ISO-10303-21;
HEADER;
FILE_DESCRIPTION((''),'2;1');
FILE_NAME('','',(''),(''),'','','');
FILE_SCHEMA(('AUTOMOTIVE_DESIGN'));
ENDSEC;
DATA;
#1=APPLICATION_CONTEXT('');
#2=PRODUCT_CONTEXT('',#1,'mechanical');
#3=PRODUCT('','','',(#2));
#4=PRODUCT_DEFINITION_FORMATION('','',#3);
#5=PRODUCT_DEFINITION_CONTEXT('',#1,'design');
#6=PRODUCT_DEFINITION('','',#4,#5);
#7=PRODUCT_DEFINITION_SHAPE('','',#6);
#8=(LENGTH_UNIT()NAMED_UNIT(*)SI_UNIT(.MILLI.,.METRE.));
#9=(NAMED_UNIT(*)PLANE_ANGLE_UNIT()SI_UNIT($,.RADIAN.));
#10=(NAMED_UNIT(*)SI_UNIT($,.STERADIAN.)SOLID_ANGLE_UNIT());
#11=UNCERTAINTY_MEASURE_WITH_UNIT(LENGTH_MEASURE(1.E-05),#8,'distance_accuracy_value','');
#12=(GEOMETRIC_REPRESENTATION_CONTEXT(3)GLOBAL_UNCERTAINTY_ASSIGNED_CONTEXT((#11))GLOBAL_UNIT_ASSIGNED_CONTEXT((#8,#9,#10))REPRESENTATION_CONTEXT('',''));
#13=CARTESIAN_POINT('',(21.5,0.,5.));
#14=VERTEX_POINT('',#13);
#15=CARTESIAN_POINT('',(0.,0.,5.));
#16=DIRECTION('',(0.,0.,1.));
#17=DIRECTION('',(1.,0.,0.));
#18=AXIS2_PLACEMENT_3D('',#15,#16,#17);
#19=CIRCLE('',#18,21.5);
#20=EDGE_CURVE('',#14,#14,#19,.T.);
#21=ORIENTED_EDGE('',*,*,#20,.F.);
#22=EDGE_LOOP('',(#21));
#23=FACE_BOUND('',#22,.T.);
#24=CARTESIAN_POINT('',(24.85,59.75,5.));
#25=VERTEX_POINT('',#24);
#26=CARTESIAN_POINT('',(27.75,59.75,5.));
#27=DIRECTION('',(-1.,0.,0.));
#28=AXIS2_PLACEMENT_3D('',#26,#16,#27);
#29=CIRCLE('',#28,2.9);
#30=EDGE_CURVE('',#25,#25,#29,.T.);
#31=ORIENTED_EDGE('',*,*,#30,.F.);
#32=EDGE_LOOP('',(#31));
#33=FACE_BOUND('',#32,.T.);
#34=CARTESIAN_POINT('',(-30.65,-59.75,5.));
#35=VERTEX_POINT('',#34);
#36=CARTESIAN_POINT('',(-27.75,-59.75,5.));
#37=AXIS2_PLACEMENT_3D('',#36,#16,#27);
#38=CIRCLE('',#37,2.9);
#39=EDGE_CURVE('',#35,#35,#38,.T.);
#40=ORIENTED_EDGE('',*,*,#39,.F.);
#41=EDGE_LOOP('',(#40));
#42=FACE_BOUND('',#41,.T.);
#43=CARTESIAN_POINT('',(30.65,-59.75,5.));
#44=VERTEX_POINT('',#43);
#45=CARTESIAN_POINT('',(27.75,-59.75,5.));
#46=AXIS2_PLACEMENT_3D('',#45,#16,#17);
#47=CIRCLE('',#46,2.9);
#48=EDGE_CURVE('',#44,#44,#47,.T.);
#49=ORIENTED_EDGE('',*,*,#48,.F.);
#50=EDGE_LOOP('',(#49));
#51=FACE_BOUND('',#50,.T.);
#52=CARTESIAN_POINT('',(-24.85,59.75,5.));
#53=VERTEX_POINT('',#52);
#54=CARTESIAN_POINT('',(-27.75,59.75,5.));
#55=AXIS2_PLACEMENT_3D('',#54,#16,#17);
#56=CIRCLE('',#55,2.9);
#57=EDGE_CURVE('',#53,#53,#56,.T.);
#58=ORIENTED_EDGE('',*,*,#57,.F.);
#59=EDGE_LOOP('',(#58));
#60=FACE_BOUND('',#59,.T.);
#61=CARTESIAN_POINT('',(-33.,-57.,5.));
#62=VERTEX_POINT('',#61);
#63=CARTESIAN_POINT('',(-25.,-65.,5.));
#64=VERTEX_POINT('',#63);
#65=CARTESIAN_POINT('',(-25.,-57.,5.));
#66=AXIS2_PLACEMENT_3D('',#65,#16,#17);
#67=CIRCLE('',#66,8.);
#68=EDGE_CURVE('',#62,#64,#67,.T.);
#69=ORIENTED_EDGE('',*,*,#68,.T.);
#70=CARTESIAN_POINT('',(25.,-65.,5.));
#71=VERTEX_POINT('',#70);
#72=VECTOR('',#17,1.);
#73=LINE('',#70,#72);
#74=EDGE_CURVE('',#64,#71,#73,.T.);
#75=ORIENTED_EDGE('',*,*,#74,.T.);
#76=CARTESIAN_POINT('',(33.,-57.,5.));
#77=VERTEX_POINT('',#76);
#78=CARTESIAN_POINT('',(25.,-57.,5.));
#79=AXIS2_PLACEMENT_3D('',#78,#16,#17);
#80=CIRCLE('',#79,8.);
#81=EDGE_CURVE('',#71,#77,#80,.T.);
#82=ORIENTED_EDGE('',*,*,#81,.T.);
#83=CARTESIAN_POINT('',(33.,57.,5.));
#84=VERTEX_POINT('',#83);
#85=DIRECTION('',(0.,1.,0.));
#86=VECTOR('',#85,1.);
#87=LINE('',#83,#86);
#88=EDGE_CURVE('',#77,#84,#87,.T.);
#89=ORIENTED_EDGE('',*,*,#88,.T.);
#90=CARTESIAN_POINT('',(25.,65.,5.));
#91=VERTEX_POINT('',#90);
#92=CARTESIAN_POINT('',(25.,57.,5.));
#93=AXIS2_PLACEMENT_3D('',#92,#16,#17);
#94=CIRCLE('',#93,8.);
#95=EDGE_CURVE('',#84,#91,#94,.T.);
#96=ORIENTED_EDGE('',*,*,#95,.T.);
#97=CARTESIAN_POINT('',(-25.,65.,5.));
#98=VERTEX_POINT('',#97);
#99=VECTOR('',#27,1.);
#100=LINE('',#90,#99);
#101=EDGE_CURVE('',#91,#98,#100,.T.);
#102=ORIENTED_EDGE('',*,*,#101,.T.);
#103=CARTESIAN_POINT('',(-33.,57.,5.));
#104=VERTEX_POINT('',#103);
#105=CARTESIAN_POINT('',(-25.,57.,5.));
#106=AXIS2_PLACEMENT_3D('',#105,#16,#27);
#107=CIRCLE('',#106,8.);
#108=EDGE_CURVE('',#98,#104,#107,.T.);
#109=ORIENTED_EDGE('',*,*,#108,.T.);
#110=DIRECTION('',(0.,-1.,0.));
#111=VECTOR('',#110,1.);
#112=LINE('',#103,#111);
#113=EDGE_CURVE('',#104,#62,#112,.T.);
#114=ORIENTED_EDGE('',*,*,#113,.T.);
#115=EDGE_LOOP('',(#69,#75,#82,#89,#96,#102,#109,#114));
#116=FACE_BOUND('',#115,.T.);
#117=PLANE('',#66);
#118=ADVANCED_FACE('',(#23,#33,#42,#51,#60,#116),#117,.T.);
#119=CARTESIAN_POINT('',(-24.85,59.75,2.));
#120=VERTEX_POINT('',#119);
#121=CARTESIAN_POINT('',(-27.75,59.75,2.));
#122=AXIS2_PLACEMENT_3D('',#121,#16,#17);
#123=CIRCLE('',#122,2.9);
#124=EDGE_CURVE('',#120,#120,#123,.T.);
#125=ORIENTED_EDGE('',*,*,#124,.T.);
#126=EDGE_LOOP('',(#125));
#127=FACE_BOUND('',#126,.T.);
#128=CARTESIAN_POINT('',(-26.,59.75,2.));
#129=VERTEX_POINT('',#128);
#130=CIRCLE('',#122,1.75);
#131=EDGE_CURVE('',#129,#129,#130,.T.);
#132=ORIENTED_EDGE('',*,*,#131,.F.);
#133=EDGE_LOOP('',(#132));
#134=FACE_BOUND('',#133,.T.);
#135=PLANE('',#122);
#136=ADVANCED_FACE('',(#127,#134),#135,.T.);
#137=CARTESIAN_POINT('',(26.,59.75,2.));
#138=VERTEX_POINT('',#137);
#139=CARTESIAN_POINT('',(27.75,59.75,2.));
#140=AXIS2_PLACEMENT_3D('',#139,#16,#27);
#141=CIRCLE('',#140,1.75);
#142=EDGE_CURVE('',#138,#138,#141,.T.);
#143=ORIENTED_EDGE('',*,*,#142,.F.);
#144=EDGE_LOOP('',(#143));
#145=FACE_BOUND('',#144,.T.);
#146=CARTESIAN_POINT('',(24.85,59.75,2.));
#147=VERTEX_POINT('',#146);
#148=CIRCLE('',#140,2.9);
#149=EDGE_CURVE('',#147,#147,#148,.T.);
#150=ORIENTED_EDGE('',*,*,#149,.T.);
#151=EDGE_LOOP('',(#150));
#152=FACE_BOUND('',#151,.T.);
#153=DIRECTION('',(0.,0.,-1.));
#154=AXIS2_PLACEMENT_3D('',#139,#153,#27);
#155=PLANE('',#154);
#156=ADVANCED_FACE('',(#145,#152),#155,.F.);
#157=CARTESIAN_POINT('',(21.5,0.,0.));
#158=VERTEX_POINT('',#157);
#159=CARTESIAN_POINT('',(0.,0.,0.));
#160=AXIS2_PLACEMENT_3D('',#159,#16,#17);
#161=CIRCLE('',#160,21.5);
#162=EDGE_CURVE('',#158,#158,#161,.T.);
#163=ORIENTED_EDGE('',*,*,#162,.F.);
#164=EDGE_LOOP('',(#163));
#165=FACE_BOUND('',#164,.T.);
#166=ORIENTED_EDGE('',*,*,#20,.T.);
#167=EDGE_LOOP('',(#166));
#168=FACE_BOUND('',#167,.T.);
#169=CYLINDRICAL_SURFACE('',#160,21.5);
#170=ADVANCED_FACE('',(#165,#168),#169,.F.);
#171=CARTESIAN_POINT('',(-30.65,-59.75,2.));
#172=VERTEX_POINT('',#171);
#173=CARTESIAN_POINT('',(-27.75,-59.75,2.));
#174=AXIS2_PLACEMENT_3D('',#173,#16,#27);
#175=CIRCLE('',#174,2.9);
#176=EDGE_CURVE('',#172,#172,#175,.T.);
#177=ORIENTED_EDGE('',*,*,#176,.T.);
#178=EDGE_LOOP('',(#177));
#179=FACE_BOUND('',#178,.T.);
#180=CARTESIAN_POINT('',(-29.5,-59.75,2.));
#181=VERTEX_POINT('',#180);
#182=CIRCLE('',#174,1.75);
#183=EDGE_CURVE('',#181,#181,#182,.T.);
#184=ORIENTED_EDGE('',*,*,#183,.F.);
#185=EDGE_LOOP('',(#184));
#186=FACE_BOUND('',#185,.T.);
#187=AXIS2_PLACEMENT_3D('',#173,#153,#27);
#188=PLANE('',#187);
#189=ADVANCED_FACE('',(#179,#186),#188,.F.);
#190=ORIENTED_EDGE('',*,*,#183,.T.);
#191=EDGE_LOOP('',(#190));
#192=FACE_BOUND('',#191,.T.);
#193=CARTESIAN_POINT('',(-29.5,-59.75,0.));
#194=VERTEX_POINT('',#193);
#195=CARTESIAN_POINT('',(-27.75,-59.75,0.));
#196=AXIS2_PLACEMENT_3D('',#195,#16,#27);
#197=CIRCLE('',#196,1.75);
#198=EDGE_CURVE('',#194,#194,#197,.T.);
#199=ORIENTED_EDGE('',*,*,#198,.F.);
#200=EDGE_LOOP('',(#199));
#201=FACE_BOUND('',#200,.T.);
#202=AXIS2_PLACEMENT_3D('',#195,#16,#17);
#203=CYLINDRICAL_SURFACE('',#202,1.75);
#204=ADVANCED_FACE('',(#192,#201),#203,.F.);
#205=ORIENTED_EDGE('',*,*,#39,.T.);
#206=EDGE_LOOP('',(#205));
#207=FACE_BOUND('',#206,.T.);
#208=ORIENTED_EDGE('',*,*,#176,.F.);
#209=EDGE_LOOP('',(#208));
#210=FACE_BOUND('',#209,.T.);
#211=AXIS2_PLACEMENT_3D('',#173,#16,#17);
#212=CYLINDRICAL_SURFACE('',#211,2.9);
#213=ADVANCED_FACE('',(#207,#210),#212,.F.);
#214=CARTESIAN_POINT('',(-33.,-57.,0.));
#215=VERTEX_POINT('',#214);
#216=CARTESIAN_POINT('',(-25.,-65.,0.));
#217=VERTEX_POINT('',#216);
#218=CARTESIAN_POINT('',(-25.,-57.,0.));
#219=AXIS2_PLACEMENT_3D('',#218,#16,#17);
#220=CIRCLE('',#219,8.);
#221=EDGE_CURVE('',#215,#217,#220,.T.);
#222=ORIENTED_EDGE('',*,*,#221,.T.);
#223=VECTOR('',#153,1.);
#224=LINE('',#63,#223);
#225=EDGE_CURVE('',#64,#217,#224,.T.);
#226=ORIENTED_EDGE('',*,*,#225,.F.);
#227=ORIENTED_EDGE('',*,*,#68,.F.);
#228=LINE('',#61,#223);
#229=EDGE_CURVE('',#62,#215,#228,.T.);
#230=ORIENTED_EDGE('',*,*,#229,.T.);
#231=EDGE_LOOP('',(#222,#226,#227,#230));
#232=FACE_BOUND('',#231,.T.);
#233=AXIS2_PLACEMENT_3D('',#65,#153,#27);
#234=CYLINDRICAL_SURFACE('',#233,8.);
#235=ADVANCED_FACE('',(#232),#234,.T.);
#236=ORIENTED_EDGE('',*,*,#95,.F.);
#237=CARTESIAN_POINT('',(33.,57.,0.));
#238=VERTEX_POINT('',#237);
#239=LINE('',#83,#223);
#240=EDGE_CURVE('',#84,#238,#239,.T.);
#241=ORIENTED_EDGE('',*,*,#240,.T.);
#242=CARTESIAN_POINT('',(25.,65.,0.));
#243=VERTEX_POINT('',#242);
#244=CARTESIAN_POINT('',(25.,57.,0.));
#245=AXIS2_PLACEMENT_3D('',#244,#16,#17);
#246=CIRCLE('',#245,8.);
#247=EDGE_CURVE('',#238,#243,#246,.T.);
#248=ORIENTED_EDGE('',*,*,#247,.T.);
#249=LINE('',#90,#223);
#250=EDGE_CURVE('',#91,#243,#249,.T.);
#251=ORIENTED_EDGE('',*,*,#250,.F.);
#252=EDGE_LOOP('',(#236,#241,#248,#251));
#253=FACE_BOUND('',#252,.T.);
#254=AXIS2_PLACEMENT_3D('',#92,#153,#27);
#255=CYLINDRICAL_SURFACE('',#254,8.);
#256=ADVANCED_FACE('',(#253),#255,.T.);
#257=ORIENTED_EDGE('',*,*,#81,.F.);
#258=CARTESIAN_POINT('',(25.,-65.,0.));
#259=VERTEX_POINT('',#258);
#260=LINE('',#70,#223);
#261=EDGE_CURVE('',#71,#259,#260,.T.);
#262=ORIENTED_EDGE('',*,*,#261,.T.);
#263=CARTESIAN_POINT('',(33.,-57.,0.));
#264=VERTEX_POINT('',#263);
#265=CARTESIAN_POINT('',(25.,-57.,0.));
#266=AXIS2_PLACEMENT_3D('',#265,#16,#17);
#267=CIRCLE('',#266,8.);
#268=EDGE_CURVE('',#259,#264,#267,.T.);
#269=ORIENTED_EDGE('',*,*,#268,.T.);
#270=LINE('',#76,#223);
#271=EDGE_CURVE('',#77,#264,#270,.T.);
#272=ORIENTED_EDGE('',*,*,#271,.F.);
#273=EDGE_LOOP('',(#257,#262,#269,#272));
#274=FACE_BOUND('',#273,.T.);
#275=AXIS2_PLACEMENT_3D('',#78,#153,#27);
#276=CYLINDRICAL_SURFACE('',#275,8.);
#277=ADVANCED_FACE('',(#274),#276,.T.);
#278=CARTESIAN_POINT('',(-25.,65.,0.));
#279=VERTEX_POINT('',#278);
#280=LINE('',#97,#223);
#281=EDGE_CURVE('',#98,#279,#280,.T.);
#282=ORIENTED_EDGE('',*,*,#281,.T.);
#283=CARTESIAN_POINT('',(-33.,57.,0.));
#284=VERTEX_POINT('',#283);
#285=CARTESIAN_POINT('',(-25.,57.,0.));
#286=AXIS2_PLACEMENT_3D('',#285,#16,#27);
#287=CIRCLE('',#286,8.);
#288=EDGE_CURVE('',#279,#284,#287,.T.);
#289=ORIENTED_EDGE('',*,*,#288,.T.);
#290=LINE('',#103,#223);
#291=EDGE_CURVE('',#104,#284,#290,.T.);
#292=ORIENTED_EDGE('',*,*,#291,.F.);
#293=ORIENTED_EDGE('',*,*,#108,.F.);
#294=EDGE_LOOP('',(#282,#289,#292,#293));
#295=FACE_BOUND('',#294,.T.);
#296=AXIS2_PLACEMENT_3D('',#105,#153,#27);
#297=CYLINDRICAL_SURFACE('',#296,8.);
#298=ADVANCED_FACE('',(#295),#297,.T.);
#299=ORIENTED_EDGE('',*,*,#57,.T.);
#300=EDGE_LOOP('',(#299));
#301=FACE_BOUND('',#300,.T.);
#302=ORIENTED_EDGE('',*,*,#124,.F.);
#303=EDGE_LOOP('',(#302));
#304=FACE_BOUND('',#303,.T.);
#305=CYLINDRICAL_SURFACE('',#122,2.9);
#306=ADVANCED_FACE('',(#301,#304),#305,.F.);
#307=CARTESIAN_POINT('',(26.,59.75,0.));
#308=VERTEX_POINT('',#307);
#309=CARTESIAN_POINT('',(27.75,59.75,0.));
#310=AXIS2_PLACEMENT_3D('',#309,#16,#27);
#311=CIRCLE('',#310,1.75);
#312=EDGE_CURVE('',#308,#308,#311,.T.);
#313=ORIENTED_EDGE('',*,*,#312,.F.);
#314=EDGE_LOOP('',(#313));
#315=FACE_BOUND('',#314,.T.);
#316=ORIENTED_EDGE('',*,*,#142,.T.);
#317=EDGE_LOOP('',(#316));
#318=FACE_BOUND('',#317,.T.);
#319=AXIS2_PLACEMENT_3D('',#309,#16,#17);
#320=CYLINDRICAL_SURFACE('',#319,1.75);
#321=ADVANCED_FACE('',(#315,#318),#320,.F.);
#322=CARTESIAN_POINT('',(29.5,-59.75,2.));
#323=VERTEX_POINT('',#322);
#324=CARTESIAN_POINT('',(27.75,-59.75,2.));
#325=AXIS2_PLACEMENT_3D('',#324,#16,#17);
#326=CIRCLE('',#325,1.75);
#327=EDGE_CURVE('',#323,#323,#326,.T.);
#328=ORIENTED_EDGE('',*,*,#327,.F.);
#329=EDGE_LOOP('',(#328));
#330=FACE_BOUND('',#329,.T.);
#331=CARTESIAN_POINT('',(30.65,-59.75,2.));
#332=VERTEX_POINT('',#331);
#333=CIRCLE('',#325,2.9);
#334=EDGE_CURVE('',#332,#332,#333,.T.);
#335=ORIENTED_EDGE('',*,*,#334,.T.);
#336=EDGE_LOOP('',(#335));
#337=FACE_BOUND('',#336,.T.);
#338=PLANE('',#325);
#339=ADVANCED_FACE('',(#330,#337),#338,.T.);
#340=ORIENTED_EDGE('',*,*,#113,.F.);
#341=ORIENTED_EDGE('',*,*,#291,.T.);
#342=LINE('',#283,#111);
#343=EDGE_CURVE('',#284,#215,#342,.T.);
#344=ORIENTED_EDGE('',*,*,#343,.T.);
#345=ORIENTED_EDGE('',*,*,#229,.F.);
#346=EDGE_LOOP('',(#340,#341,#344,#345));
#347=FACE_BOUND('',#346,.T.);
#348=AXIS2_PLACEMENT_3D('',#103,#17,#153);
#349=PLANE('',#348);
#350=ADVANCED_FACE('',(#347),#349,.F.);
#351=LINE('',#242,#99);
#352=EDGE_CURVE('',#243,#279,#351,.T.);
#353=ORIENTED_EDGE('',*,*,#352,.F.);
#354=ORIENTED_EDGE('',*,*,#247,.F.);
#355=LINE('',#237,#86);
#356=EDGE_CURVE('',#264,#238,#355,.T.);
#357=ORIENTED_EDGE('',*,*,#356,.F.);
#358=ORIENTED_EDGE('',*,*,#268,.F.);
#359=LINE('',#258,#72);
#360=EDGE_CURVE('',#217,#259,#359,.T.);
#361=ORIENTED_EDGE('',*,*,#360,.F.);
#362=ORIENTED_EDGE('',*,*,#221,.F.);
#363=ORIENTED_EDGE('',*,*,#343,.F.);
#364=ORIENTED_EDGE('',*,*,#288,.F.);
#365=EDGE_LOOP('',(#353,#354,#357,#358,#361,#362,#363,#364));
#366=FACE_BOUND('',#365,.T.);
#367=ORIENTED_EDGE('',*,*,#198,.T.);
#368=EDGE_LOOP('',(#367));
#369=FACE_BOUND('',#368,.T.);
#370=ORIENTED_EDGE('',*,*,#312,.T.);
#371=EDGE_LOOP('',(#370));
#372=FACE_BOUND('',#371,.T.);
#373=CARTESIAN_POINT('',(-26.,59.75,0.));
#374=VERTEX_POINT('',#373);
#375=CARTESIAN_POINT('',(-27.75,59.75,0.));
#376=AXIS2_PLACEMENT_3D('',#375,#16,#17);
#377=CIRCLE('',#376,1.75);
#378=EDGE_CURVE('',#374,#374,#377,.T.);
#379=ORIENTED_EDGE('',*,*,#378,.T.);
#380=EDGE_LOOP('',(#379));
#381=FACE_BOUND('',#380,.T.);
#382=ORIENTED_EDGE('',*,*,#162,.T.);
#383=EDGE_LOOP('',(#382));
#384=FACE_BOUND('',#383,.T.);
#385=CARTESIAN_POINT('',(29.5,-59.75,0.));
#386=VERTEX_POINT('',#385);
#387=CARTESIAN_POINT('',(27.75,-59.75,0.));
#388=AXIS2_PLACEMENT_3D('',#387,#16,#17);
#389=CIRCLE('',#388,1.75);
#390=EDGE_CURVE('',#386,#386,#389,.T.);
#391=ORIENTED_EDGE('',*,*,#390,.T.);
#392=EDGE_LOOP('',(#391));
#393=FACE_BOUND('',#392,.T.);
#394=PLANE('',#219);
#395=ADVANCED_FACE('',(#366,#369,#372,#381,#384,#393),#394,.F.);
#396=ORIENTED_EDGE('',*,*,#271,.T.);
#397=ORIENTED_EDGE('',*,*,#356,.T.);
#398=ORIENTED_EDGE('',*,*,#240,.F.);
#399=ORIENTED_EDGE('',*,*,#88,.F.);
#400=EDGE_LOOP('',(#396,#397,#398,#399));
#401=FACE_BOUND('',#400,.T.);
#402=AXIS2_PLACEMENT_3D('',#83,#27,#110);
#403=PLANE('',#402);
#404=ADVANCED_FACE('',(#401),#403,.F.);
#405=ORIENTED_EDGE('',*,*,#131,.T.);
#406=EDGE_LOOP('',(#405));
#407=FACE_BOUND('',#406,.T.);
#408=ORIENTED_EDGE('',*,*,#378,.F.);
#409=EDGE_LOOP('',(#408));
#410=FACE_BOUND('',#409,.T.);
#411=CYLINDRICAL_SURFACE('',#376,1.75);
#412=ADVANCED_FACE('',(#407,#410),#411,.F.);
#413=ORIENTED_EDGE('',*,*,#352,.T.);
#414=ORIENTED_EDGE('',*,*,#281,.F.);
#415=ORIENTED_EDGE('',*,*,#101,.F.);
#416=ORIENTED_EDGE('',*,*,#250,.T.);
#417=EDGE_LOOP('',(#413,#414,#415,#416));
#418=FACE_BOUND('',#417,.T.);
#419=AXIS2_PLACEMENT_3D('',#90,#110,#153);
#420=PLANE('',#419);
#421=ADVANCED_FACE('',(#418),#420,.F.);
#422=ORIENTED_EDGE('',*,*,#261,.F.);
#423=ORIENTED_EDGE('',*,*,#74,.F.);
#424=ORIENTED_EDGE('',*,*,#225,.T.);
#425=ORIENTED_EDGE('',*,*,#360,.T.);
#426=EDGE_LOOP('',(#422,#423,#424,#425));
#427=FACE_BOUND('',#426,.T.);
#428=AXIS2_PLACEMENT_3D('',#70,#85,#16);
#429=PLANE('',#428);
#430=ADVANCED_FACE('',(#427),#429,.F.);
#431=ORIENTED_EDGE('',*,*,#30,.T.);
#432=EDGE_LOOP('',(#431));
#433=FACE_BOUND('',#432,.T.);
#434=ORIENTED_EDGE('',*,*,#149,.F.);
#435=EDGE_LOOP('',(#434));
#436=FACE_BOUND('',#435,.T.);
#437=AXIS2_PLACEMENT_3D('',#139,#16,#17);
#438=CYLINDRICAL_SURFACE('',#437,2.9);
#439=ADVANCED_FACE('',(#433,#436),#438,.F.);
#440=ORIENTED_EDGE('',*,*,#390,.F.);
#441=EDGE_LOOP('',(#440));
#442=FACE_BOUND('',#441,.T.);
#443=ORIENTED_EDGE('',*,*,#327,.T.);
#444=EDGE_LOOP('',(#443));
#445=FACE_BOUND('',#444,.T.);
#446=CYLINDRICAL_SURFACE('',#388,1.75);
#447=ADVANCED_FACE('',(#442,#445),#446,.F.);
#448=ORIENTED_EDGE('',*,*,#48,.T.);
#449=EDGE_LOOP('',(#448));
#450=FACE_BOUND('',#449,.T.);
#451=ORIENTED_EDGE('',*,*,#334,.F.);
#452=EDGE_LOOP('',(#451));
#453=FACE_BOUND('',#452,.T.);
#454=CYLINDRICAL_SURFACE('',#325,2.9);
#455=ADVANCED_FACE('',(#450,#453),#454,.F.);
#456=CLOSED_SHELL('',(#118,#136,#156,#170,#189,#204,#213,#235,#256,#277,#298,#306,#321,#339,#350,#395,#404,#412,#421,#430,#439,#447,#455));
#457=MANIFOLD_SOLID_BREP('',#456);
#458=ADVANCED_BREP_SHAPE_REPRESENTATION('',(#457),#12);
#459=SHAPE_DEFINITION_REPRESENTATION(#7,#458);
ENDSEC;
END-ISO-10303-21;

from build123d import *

# Parameters (mm, degrees)
BOSS_EXTRUDE1_DEPTH = 5
SKETCH2_R           = 21.5
CUT_EXTRUDE1_DEPTH  = 74.068461049
SKETCH12_R          = 2.9
CUT_EXTRUDE3_DEPTH  = 3
SKETCH13_R          = 1.75
CUT_EXTRUDE4_DEPTH  = 73.958892535


with BuildPart() as part:
    # Sketch1 → Boss-Extrude1 (new body)
    with BuildSketch(Plane.XY):
        with BuildLine():
            Line((25, 65), (-25, 65))
            ThreePointArc((-25, 65), (-30.656854249, 62.656854249), (-33, 57))
            Line((-33, 57), (-33, -57))
            ThreePointArc((-33, -57), (-30.656854249, -62.656854249), (-25, -65))
            Line((-25, -65), (25, -65))
            ThreePointArc((25, -65), (30.656854249, -62.656854249), (33, -57))
            Line((33, -57), (33, 57))
            ThreePointArc((33, 57), (30.656854249, 62.656854249), (25, 65))
        make_face()
    extrude(amount=BOSS_EXTRUDE1_DEPTH)

    # Sketch2 → Cut-Extrude1 (cut, through all)
    with BuildSketch(Plane.XY.offset(5)):
        Circle(SKETCH2_R)
    extrude(amount=-CUT_EXTRUDE1_DEPTH, mode=Mode.SUBTRACT)

    # Sketch12 → Cut-Extrude3 (cut)
    with BuildSketch(Plane.XY.offset(5)):
        with Locations((-27.75, 59.75)):
            Circle(SKETCH12_R)
        with Locations(Location((27.75, 59.75, 0), (0, 0, 180))):
            Circle(SKETCH12_R)
        with Locations(Location((-27.75, -59.75, 0), (0, 0, 180))):
            Circle(SKETCH12_R)
        with Locations((27.75, -59.75)):
            Circle(SKETCH12_R)
    extrude(amount=-CUT_EXTRUDE3_DEPTH, mode=Mode.SUBTRACT)

    # Sketch13 → Cut-Extrude4 (cut, through all)
    with BuildSketch(Plane.XY.offset(2)):
        with Locations((-27.75, 59.75)):
            Circle(SKETCH13_R)
        with Locations(Location((27.75, 59.75, 0), (0, 0, 180))):
            Circle(SKETCH13_R)
        with Locations((27.75, -59.75)):
            Circle(SKETCH13_R)
        with Locations(Location((-27.75, -59.75, 0), (0, 0, 180))):
            Circle(SKETCH13_R)
    extrude(amount=-CUT_EXTRUDE4_DEPTH, mode=Mode.SUBTRACT)


solid = part.part
